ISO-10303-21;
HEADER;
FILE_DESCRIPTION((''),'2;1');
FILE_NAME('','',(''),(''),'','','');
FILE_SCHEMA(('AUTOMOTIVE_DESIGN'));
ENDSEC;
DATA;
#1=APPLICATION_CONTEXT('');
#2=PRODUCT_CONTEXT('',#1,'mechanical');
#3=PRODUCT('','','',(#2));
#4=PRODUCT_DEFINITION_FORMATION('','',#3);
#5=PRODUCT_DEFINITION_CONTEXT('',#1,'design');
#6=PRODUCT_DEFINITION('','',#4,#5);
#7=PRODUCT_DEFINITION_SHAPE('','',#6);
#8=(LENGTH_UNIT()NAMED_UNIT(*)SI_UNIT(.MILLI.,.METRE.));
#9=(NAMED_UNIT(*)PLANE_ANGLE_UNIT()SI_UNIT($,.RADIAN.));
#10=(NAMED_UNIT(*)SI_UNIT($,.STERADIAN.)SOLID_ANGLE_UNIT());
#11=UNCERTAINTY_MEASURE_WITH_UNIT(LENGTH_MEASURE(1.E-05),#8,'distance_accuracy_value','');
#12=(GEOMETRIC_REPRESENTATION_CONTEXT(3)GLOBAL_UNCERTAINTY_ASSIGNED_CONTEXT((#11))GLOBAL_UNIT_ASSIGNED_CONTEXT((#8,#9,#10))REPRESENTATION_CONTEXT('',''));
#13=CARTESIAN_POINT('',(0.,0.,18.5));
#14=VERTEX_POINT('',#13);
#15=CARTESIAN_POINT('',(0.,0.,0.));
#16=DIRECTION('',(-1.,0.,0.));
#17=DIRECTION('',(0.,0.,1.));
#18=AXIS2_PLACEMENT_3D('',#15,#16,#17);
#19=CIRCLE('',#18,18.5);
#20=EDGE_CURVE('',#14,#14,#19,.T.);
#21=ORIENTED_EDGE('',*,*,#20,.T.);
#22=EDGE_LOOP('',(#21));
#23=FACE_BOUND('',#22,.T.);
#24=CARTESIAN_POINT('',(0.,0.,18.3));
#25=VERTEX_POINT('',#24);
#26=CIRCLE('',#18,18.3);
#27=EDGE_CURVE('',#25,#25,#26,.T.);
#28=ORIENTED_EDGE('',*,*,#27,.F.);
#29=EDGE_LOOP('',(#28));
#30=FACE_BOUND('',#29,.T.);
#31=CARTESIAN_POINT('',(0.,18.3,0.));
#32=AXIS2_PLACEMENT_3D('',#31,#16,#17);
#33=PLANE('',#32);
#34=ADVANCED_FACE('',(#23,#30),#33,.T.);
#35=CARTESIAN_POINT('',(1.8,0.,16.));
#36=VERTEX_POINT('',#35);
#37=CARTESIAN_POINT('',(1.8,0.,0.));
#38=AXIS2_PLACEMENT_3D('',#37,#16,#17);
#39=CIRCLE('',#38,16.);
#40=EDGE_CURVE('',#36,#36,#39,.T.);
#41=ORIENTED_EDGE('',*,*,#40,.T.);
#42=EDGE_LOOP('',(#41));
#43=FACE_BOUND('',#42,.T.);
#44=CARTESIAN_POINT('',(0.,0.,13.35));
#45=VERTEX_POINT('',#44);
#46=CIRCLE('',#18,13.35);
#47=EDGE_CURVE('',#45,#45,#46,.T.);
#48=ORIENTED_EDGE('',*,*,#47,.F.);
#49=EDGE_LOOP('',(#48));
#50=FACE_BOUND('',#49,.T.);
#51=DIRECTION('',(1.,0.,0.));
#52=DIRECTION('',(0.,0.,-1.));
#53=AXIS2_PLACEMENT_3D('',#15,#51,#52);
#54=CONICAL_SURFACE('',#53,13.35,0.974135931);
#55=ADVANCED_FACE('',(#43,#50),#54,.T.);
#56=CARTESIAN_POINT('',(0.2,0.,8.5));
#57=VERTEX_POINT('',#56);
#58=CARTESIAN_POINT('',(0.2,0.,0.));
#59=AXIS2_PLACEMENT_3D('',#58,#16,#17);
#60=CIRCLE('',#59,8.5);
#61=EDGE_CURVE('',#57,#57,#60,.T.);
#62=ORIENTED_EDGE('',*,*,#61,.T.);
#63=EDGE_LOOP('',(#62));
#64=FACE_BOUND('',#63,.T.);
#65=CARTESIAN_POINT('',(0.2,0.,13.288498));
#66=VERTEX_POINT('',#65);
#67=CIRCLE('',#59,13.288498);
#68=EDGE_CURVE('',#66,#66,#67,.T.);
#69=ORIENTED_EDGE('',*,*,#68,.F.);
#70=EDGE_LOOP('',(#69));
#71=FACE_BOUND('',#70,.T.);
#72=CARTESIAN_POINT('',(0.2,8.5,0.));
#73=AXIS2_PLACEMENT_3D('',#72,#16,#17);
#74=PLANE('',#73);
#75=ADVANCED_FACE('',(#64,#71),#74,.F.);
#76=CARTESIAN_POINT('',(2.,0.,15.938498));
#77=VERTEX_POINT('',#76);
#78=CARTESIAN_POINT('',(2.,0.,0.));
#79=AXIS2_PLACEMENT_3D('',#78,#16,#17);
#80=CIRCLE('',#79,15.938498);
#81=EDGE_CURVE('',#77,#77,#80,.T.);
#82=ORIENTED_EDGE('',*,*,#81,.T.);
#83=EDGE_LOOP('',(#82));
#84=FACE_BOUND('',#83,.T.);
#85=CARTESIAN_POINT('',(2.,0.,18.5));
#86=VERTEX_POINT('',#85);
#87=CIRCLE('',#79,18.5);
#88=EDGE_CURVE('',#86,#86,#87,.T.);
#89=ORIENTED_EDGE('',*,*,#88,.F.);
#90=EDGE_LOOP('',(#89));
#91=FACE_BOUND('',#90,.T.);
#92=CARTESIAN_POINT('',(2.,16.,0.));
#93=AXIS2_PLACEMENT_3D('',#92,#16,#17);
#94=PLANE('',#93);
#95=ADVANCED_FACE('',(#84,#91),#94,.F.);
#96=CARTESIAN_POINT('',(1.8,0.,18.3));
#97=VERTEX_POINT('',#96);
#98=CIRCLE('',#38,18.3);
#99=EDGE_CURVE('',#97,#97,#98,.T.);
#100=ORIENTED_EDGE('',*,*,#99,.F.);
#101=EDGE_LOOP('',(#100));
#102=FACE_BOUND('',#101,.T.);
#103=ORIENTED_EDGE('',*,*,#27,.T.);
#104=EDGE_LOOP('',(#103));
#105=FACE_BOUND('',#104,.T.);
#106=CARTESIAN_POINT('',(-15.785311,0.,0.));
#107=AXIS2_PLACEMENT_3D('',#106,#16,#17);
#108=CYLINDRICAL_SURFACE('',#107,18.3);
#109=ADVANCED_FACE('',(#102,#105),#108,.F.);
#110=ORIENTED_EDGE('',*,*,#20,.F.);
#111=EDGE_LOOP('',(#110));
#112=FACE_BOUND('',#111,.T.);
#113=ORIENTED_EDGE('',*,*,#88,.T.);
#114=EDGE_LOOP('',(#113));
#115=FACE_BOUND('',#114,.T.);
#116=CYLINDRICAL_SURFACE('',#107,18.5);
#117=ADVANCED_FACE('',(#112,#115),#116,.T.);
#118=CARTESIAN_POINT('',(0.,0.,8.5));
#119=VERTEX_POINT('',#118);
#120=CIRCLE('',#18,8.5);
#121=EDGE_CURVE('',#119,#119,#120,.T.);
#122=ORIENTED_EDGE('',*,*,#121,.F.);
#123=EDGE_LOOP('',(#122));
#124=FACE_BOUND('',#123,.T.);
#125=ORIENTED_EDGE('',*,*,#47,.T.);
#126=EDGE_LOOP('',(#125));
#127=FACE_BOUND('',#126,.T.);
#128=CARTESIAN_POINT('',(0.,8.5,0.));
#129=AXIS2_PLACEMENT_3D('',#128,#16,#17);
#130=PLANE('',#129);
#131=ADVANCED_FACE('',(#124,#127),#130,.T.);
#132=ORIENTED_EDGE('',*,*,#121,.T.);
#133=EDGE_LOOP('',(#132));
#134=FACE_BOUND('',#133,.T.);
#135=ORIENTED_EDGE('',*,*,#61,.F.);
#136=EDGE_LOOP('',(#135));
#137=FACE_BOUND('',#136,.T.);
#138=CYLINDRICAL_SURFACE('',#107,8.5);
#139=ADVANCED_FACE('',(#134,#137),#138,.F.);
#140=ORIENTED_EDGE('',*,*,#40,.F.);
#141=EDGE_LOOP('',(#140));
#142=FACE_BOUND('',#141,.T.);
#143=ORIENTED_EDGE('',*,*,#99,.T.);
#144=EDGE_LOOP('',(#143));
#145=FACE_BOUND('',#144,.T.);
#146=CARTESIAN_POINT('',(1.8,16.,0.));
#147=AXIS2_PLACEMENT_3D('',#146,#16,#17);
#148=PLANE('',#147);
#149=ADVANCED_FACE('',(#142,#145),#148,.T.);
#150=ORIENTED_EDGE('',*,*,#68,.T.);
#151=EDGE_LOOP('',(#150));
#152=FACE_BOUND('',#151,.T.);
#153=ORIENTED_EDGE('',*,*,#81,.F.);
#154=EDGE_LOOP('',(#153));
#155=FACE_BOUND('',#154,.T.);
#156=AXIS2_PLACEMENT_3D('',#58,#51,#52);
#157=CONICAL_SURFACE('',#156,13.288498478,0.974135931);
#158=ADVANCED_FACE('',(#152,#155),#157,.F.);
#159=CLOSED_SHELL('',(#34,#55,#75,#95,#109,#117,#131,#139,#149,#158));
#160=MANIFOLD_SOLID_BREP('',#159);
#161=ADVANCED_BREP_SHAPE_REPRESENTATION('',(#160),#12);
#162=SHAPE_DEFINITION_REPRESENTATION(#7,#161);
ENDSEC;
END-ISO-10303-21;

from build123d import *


with BuildPart() as part:
    # Esquisse1 → Révol.-Mince1 (revolve)
    with BuildSketch(Plane.XY, mode=Mode.PRIVATE) as r_vol_mince1_sk:
        Polygon((0, 8.5), (0, 13.35), (1.8, 16), (1.8, 18.3), (0, 18.3), (0, 18.5), (2, 18.5), (2, 15.938498478), (0.2, 13.288498478), (0.2, 8.5), align=None)
    revolve(r_vol_mince1_sk.sketch.rotate(Axis((-15.785310734, 0, 0), (1, 0, 0)), 90), axis=Axis((-15.785310734, 0, 0), (1, 0, 0)))


solid = part.part
